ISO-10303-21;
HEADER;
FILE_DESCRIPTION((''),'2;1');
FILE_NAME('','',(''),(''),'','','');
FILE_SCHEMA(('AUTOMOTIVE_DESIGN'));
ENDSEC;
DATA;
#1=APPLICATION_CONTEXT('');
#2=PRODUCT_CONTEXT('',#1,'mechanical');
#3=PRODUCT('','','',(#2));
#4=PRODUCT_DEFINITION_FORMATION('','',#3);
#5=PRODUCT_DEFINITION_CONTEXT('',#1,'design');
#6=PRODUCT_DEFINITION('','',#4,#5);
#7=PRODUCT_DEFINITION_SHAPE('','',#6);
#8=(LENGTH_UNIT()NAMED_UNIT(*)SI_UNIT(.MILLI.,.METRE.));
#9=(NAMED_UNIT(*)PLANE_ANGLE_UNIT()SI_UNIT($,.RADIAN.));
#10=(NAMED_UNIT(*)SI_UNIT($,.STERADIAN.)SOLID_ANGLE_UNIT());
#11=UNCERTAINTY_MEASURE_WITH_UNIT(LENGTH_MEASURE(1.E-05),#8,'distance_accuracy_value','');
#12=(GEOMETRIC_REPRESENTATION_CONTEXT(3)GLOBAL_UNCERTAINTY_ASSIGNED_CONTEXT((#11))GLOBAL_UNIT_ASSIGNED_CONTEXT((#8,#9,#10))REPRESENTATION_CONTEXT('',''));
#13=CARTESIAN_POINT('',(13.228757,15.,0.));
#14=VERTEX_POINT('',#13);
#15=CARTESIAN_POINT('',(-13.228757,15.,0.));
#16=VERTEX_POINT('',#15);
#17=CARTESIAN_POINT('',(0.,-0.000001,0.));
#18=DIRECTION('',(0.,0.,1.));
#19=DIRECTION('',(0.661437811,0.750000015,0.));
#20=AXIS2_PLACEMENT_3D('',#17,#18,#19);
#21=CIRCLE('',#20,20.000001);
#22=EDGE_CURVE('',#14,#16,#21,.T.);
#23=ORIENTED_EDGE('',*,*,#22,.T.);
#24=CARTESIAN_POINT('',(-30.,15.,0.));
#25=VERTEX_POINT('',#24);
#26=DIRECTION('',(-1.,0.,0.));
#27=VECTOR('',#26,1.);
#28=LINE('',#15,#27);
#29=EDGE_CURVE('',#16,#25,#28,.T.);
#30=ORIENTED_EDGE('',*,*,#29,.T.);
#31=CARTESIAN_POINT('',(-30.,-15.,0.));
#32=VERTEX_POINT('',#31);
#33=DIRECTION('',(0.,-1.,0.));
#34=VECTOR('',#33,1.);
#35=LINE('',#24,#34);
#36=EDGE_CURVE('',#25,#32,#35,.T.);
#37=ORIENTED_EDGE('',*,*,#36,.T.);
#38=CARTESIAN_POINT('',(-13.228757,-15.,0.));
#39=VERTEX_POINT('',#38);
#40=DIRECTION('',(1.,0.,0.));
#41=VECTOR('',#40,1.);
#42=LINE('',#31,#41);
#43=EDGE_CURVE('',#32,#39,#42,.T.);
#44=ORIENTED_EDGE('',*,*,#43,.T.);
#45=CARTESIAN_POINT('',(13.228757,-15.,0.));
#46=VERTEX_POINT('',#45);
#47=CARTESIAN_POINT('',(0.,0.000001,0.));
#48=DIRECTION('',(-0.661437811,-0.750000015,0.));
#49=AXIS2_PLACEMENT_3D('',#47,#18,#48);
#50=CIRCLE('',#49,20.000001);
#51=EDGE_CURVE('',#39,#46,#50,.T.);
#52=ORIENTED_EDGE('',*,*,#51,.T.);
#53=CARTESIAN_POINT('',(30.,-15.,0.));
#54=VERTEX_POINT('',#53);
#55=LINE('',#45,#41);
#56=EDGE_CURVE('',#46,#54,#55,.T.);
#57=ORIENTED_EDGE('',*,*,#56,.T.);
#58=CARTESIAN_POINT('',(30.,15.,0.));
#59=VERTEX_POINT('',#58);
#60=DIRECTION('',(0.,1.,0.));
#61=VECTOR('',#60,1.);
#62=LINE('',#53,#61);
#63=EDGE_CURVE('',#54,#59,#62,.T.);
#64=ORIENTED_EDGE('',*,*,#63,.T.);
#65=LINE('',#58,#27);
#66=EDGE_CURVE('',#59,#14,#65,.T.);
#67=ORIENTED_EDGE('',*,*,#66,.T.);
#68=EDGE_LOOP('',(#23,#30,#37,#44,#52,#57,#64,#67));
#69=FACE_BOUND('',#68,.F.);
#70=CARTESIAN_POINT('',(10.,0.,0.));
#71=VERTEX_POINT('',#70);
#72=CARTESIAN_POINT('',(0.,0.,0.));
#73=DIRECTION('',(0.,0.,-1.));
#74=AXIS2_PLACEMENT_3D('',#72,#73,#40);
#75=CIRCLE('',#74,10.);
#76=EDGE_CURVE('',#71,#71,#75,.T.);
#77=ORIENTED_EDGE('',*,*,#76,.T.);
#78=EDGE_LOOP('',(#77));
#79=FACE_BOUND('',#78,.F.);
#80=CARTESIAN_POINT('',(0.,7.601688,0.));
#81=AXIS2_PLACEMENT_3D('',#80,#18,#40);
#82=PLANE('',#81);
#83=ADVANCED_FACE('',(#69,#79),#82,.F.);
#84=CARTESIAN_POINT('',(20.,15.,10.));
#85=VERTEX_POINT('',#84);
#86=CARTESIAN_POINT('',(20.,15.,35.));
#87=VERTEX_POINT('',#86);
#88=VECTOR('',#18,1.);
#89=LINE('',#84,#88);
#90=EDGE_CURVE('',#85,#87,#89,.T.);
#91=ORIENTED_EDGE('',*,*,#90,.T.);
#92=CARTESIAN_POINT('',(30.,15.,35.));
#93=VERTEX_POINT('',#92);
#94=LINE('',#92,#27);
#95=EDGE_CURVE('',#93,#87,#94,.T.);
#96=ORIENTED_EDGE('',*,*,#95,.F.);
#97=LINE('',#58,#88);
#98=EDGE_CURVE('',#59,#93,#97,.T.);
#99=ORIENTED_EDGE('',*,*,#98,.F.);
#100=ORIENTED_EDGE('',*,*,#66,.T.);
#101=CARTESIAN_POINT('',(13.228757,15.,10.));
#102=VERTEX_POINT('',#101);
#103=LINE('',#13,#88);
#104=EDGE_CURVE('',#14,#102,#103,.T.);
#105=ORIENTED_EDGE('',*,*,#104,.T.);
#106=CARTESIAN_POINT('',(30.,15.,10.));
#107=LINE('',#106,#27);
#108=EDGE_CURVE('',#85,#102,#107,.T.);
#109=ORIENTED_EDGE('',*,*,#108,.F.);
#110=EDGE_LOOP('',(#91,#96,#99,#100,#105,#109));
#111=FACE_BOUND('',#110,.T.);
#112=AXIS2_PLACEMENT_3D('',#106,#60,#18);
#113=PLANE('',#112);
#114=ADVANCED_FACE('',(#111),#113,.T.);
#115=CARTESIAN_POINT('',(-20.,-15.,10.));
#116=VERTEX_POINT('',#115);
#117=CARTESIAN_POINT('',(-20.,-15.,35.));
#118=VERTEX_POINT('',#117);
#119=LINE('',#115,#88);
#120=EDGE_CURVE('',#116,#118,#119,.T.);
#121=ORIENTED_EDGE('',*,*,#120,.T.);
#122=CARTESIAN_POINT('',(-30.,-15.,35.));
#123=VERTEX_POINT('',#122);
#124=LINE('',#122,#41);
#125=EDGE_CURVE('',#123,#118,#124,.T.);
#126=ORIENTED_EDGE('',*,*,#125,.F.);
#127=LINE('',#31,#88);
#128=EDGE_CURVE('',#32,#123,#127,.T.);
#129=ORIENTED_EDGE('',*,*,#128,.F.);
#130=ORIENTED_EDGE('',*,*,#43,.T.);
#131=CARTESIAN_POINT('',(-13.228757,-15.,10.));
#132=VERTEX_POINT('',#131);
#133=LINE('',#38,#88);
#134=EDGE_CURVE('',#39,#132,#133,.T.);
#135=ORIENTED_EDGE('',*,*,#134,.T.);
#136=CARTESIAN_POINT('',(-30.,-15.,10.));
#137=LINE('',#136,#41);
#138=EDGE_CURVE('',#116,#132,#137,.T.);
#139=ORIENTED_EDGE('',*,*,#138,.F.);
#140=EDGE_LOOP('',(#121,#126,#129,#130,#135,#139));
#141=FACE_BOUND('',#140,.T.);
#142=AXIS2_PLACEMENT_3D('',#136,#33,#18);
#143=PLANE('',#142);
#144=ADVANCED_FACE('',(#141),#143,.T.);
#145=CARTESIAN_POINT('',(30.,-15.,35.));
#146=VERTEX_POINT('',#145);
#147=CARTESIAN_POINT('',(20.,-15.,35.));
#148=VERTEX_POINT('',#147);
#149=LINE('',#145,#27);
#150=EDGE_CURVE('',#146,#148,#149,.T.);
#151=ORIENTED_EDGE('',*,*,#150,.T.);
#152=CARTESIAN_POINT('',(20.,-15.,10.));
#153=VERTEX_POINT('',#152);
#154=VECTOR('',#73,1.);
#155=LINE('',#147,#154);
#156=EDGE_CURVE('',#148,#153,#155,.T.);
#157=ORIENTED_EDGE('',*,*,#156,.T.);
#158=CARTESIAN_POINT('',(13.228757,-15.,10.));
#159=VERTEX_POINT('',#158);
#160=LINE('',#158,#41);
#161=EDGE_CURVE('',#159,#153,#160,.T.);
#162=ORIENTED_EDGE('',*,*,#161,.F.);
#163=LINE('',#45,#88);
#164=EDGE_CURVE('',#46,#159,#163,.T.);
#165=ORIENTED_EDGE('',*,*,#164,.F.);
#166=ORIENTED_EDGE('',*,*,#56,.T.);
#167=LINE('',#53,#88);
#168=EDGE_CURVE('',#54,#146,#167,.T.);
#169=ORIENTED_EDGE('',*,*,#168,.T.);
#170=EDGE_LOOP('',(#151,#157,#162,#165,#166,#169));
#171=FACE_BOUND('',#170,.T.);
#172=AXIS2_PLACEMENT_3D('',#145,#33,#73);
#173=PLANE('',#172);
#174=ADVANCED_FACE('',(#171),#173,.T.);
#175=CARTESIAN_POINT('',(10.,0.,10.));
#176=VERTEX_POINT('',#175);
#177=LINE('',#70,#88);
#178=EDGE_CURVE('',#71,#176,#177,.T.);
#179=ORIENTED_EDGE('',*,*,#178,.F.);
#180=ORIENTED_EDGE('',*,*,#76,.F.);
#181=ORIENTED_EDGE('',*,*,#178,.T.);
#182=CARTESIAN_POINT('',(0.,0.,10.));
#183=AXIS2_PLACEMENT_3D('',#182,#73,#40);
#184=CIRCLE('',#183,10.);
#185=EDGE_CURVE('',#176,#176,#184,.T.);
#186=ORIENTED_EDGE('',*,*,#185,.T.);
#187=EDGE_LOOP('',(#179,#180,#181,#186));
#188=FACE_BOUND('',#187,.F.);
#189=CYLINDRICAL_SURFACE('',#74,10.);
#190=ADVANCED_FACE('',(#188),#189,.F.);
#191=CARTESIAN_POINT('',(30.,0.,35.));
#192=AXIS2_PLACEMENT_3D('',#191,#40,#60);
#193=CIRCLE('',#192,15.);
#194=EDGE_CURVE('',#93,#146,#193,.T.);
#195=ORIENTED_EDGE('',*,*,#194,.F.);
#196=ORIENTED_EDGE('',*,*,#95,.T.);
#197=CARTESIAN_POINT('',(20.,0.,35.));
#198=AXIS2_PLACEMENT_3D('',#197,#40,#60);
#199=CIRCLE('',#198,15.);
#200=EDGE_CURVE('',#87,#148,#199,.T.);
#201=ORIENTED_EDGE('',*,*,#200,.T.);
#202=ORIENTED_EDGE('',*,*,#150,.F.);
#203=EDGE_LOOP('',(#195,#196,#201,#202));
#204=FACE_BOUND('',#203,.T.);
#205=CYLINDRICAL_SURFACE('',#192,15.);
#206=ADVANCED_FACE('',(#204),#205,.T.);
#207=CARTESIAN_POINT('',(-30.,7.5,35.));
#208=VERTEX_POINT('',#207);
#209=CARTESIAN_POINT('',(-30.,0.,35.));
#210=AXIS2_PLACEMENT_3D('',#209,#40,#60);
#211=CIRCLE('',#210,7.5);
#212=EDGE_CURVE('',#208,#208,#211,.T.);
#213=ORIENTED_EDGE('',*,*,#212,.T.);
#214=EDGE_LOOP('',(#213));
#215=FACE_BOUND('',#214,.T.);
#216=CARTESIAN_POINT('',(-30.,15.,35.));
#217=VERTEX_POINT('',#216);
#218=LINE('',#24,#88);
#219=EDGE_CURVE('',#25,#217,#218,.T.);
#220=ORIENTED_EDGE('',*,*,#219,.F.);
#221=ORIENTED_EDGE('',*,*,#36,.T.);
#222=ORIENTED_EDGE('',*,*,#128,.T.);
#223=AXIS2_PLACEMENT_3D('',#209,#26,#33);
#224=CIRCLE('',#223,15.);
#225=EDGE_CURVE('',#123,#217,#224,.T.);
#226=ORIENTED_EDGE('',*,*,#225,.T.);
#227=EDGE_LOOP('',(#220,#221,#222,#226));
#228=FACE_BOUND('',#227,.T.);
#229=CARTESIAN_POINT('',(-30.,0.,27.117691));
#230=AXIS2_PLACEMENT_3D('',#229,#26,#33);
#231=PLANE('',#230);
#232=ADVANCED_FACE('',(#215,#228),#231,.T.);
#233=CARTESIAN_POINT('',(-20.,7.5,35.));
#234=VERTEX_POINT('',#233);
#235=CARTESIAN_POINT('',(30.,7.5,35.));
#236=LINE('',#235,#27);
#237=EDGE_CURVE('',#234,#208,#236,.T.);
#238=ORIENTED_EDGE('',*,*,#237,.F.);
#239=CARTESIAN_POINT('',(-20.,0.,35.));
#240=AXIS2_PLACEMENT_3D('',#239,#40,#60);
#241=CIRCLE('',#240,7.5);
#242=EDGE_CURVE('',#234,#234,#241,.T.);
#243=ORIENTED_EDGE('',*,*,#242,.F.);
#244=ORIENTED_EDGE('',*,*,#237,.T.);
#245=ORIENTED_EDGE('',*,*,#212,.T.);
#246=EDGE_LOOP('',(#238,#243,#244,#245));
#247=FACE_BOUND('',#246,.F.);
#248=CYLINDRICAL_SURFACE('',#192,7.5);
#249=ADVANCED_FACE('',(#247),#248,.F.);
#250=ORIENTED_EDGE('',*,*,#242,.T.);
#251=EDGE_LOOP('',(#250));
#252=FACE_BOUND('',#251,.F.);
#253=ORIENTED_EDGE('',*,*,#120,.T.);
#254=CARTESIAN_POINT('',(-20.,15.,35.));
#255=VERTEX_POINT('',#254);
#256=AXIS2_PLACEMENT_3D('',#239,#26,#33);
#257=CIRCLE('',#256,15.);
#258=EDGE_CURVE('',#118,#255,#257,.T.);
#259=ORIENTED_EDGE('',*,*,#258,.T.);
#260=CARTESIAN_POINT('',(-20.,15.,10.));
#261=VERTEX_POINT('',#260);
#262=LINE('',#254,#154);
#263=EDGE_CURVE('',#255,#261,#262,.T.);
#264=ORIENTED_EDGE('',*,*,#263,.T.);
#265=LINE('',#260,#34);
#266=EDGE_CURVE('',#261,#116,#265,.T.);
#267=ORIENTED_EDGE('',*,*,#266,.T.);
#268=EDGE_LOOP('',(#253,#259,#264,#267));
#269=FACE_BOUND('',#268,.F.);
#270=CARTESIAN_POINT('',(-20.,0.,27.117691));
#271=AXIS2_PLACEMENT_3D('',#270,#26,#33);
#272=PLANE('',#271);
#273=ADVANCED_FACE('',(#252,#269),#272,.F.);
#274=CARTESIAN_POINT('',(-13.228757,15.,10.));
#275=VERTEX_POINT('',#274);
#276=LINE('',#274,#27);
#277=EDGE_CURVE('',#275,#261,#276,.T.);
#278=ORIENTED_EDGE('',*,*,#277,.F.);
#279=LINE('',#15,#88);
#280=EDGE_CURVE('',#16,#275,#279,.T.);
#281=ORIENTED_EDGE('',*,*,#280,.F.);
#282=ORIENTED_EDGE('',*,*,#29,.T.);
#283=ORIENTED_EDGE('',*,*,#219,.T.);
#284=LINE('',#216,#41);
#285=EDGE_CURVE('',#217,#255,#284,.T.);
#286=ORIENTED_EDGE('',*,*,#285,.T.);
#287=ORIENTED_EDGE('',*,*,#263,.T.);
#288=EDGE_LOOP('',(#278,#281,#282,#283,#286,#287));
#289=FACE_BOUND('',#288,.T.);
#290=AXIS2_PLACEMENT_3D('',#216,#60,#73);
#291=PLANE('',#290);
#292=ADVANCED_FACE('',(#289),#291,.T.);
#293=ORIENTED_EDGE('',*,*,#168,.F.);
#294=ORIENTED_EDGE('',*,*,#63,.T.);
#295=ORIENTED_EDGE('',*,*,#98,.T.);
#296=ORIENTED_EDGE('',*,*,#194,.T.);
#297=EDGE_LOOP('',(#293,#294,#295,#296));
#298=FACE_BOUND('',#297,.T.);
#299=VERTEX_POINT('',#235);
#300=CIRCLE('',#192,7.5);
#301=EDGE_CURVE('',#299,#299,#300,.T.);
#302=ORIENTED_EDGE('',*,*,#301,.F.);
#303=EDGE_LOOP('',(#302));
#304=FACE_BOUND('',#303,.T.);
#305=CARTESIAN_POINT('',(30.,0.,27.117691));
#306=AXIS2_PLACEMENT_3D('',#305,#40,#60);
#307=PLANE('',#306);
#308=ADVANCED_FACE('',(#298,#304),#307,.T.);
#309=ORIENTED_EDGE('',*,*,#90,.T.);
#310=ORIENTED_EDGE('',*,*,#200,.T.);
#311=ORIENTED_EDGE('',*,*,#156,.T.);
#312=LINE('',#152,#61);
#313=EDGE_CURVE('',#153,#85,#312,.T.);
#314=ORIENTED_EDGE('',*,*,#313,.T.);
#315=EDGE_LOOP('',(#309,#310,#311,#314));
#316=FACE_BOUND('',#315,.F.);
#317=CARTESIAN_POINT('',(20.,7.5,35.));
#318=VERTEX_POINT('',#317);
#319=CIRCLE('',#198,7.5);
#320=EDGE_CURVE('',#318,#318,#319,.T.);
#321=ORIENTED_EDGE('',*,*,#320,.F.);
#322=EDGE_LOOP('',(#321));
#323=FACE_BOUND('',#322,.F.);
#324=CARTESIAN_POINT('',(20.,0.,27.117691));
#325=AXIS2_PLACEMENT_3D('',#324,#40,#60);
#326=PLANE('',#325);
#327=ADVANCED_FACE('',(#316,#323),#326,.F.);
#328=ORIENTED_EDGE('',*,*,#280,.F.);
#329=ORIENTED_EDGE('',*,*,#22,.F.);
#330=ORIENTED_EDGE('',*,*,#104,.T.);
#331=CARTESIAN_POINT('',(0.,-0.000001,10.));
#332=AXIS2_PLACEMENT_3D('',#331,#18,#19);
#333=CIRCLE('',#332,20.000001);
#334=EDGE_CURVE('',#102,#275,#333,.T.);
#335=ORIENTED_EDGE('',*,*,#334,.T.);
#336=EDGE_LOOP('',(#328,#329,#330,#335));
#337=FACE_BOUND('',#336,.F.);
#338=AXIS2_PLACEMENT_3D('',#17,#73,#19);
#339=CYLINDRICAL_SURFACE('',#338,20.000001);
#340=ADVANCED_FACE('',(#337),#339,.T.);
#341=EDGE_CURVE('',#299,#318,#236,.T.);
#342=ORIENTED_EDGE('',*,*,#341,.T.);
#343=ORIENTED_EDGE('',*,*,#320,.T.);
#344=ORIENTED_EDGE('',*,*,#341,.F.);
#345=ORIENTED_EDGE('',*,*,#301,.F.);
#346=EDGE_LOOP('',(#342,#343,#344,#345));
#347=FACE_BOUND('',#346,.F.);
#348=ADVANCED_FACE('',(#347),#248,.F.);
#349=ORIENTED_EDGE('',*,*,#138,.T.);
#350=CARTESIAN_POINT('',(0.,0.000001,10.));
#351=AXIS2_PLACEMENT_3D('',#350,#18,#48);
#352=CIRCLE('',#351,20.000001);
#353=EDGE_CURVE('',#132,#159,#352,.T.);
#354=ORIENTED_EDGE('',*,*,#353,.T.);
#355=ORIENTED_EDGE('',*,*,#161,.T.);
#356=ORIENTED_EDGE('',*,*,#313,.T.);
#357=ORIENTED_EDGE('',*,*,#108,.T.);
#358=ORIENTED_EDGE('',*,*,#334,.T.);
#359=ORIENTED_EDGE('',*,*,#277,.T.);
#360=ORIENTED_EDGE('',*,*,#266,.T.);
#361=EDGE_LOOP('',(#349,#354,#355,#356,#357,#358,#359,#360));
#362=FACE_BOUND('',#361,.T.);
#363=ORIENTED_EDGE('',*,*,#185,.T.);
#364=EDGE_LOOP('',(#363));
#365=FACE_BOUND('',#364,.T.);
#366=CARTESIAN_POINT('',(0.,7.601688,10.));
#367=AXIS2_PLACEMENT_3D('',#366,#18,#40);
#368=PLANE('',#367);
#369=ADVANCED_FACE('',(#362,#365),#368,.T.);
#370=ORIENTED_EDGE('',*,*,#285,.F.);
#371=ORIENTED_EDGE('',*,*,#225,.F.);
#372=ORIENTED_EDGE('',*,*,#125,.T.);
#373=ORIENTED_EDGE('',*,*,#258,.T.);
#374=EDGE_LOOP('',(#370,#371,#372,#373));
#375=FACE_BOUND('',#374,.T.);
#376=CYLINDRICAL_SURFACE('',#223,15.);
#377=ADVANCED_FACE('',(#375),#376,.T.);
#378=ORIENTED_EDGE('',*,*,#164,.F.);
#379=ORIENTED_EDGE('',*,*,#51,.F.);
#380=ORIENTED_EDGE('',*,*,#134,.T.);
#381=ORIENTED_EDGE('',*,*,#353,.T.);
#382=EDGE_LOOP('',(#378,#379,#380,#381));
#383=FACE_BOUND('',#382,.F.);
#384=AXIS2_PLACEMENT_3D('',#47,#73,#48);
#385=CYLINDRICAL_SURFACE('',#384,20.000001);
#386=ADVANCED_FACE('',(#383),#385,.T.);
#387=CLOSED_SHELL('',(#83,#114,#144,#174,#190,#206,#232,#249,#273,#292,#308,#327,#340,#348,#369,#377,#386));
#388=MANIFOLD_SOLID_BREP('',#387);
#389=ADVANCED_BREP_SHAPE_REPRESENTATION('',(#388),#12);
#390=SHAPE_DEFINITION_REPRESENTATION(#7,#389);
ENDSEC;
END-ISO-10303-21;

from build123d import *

# Parameters (mm, degrees)
F1_DEPTH = 10
F3_DEPTH = 10
F5_DEPTH = 10
F6_R     = 7.5
F7_DEPTH = 60.001


with BuildPart() as f1:
    # F0 (on Top) → F1 (new body)
    with BuildSketch(Plane.XY):
        with BuildLine():
            Line((10, 0), (20, 0))
            ThreePointArc((20, 0), (18.228757, 8.228757), (13.228757, 15))
            Line((13.228757, 15), (-13.228757, 15))
            ThreePointArc((-13.228757, 15), (-18.228757, 8.228757), (-20, 0))
            Line((-20, 0), (-10, 0))
            ThreePointArc((-10, 0), (0, 10), (10, 0))
        make_face()
        with BuildLine():
            Line((-13.228757, 15), (13.228757, 15))
            ThreePointArc((13.228757, 15), (0, 20), (-13.228757, 15))
        make_face()
        with BuildLine():
            ThreePointArc((-20, 0), (-18.228757, 8.228757), (-13.228757, 15))
            Line((-13.228757, 15), (-30, 15))
            Line((-30, 15), (-30, 0))
            Line((-30, 0), (-20, 0))
        make_face()
        with BuildLine():
            Line((-30, -15), (-13.228757, -15))
            ThreePointArc((-13.228757, -15), (-18.228757, -8.228757), (-20, 0))
            Line((-20, 0), (-30, 0))
            Line((-30, 0), (-30, -15))
        make_face()
        with BuildLine():
            ThreePointArc((-13.228757, -15), (0, -20), (13.228757, -15))
            Line((13.228757, -15), (-13.228757, -15))
        make_face()
        with BuildLine():
            Line((30, 0), (20, 0))
            ThreePointArc((20, 0), (18.228757, -8.228757), (13.228757, -15))
            Line((13.228757, -15), (30, -15))
            Line((30, -15), (30, 0))
        make_face()
        with BuildLine():
            ThreePointArc((13.228757, 15), (18.228757, 8.228757), (20, 0))
            Line((20, 0), (30, 0))
            Line((30, 0), (30, 15))
            Line((30, 15), (13.228757, 15))
        make_face()
        with BuildLine():
            ThreePointArc((13.228757, -15), (18.228757, -8.228757), (20, 0))
            Line((20, 0), (10, 0))
            ThreePointArc((10, 0), (0, -10), (-10, 0))
            Line((-10, 0), (-20, 0))
            ThreePointArc((-20, 0), (-18.228757, -8.228757), (-13.228757, -15))
            Line((-13.228757, -15), (13.228757, -15))
        make_face()
    extrude(amount=F1_DEPTH)

    # F2 (on face) → F3 (join)
    with BuildSketch(Plane.YZ.offset(30)):
        with BuildLine():
            Line((-15, 35), (-15, 10))
            Line((-15, 10), (15, 10))
            Line((15, 10), (15, 35))
            ThreePointArc((15, 35), (0, 50), (-15, 35))
        make_face()
    extrude(amount=-F3_DEPTH)

    # F4 (on face) → F5 (join)
    with BuildSketch(Plane(origin=(-30, 0, 0), x_dir=(0, -1, 0), z_dir=(-1, 0, 0))):
        with BuildLine():
            Line((-15, 35), (-15, 10))
            Line((-15, 10), (15, 10))
            Line((15, 10), (15, 35))
            ThreePointArc((15, 35), (0, 50), (-15, 35))
        make_face()
    extrude(amount=-F5_DEPTH)

    # F6 (on face) → F7 (cut, through all)
    with BuildSketch(Plane.YZ.offset(30)):
        with Locations((0, 35)):
            Circle(F6_R)
    extrude(amount=-F7_DEPTH, mode=Mode.SUBTRACT)


solid = f1.part
